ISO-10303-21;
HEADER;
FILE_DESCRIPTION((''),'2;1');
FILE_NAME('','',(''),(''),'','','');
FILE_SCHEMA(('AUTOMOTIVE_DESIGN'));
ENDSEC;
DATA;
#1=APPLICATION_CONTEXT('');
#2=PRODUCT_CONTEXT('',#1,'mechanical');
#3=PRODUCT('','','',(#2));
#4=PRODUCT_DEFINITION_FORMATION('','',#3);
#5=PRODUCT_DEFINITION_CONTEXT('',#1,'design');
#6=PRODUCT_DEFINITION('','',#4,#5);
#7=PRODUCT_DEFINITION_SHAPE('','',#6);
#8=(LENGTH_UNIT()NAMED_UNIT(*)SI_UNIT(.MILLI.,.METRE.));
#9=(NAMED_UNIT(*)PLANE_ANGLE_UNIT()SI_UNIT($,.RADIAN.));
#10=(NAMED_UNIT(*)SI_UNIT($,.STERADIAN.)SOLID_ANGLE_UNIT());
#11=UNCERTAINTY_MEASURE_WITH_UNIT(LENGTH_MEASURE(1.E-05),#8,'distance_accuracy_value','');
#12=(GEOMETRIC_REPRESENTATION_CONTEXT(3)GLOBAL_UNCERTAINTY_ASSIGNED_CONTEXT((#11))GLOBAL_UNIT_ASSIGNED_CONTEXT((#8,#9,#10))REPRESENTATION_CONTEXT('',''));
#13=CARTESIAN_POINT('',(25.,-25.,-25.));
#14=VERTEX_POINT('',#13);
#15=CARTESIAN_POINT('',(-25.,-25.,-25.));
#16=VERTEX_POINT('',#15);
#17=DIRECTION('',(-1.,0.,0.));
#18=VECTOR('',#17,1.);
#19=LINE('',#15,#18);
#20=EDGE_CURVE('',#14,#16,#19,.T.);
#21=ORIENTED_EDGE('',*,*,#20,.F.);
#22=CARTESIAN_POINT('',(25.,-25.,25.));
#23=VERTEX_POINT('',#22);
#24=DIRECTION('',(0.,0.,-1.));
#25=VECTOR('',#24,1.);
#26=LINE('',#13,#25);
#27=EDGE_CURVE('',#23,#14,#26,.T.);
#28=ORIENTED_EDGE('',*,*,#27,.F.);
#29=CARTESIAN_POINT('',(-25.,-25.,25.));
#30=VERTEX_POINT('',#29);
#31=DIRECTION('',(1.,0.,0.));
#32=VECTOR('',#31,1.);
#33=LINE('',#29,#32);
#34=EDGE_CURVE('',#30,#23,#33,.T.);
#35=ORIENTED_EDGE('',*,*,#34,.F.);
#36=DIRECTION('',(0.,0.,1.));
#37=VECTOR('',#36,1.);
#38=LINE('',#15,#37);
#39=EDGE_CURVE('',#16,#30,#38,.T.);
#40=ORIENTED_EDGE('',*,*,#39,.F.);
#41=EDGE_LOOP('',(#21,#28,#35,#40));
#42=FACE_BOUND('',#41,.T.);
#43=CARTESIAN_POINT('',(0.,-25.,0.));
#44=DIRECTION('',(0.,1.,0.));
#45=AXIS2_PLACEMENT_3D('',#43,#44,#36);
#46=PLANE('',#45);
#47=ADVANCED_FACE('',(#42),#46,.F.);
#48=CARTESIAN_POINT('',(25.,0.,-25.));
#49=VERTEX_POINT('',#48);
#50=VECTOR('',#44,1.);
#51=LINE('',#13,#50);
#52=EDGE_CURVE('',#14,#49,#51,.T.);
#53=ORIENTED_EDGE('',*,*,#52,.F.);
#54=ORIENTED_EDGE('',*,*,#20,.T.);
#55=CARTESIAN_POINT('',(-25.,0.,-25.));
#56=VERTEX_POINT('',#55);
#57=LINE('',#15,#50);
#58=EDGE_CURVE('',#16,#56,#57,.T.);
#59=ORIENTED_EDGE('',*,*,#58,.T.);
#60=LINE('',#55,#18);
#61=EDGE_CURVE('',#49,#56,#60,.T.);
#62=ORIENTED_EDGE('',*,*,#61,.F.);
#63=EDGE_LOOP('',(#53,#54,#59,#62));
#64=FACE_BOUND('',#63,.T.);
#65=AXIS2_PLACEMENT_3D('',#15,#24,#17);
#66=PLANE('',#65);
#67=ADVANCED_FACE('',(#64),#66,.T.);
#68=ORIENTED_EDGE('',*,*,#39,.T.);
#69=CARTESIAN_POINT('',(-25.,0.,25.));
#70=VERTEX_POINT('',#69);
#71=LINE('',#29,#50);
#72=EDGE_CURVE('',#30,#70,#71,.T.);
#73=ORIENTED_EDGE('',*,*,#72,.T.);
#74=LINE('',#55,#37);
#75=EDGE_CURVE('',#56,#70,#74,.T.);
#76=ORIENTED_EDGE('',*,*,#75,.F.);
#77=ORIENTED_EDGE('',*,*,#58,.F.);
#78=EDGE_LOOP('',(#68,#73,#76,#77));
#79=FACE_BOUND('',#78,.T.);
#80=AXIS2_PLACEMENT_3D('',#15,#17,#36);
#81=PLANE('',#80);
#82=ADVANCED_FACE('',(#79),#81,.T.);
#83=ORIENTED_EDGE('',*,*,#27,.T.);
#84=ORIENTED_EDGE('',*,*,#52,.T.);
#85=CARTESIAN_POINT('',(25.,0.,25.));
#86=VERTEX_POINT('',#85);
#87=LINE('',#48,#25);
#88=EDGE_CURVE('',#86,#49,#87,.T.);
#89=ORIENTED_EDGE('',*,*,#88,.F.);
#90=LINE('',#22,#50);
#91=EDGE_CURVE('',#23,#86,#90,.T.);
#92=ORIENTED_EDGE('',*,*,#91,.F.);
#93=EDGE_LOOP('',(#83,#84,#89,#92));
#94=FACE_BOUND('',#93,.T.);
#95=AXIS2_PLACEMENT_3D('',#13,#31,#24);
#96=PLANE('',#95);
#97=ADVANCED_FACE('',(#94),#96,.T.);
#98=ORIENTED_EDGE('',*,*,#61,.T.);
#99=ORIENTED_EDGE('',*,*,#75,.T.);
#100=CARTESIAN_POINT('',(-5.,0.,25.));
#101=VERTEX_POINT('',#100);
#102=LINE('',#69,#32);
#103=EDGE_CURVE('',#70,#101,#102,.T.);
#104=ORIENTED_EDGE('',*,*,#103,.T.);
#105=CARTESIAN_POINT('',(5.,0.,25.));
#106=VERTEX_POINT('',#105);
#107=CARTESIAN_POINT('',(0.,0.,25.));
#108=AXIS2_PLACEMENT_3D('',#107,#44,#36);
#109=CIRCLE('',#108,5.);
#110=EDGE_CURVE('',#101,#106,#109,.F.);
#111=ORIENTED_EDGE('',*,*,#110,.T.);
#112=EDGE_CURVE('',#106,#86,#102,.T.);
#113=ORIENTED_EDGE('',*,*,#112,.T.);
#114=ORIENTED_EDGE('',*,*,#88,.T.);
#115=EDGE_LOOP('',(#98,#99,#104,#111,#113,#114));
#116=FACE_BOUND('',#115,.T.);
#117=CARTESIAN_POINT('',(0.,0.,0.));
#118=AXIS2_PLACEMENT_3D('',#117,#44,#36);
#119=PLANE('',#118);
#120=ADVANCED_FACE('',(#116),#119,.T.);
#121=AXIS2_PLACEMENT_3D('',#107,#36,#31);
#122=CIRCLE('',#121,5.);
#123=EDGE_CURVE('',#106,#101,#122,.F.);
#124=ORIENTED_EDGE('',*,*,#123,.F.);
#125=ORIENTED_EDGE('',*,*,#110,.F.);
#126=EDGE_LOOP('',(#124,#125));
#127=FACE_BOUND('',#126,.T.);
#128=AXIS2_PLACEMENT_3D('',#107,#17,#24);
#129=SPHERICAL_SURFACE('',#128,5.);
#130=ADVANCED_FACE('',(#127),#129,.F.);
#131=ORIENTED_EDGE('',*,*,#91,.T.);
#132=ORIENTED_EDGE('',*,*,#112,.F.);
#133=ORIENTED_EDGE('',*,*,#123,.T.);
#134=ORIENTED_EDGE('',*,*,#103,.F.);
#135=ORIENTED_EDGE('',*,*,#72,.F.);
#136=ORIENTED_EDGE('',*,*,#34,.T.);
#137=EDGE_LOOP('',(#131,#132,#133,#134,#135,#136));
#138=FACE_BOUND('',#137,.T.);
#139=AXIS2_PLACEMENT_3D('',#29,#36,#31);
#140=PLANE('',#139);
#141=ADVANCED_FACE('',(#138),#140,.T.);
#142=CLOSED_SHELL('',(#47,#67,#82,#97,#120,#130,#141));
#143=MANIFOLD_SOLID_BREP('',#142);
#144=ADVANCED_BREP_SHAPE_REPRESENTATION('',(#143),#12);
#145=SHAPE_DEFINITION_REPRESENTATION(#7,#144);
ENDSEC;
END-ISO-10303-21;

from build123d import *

# Parameters (mm, degrees)
SKETCH2_W           = 50
SKETCH2_H           = 50
BOSS_EXTRUDE1_DEPTH = 25


with BuildPart() as part:
    # Sketch2 → Boss-Extrude1 (new body)
    with BuildSketch(Plane(origin=(0, 0, 0), x_dir=(1, 0, 0), z_dir=(0, 1, 0))):
        Rectangle(SKETCH2_W, SKETCH2_H)
    extrude(amount=-BOSS_EXTRUDE1_DEPTH)

    # Sketch3 → Cut-Revolve1 (revolve, cut)
    with BuildSketch(Plane(origin=(0, 0, 0), x_dir=(1, 0, 0), z_dir=(0, 1, 0))):
        with BuildLine():
            Line((-5, -25), (5, -25))
            ThreePointArc((5, -25), (0, -20), (-5, -25))
        make_face()
    revolve(axis=Axis((-5, 0, 25), (1, 0, 0)), mode=Mode.SUBTRACT)


solid = part.part
